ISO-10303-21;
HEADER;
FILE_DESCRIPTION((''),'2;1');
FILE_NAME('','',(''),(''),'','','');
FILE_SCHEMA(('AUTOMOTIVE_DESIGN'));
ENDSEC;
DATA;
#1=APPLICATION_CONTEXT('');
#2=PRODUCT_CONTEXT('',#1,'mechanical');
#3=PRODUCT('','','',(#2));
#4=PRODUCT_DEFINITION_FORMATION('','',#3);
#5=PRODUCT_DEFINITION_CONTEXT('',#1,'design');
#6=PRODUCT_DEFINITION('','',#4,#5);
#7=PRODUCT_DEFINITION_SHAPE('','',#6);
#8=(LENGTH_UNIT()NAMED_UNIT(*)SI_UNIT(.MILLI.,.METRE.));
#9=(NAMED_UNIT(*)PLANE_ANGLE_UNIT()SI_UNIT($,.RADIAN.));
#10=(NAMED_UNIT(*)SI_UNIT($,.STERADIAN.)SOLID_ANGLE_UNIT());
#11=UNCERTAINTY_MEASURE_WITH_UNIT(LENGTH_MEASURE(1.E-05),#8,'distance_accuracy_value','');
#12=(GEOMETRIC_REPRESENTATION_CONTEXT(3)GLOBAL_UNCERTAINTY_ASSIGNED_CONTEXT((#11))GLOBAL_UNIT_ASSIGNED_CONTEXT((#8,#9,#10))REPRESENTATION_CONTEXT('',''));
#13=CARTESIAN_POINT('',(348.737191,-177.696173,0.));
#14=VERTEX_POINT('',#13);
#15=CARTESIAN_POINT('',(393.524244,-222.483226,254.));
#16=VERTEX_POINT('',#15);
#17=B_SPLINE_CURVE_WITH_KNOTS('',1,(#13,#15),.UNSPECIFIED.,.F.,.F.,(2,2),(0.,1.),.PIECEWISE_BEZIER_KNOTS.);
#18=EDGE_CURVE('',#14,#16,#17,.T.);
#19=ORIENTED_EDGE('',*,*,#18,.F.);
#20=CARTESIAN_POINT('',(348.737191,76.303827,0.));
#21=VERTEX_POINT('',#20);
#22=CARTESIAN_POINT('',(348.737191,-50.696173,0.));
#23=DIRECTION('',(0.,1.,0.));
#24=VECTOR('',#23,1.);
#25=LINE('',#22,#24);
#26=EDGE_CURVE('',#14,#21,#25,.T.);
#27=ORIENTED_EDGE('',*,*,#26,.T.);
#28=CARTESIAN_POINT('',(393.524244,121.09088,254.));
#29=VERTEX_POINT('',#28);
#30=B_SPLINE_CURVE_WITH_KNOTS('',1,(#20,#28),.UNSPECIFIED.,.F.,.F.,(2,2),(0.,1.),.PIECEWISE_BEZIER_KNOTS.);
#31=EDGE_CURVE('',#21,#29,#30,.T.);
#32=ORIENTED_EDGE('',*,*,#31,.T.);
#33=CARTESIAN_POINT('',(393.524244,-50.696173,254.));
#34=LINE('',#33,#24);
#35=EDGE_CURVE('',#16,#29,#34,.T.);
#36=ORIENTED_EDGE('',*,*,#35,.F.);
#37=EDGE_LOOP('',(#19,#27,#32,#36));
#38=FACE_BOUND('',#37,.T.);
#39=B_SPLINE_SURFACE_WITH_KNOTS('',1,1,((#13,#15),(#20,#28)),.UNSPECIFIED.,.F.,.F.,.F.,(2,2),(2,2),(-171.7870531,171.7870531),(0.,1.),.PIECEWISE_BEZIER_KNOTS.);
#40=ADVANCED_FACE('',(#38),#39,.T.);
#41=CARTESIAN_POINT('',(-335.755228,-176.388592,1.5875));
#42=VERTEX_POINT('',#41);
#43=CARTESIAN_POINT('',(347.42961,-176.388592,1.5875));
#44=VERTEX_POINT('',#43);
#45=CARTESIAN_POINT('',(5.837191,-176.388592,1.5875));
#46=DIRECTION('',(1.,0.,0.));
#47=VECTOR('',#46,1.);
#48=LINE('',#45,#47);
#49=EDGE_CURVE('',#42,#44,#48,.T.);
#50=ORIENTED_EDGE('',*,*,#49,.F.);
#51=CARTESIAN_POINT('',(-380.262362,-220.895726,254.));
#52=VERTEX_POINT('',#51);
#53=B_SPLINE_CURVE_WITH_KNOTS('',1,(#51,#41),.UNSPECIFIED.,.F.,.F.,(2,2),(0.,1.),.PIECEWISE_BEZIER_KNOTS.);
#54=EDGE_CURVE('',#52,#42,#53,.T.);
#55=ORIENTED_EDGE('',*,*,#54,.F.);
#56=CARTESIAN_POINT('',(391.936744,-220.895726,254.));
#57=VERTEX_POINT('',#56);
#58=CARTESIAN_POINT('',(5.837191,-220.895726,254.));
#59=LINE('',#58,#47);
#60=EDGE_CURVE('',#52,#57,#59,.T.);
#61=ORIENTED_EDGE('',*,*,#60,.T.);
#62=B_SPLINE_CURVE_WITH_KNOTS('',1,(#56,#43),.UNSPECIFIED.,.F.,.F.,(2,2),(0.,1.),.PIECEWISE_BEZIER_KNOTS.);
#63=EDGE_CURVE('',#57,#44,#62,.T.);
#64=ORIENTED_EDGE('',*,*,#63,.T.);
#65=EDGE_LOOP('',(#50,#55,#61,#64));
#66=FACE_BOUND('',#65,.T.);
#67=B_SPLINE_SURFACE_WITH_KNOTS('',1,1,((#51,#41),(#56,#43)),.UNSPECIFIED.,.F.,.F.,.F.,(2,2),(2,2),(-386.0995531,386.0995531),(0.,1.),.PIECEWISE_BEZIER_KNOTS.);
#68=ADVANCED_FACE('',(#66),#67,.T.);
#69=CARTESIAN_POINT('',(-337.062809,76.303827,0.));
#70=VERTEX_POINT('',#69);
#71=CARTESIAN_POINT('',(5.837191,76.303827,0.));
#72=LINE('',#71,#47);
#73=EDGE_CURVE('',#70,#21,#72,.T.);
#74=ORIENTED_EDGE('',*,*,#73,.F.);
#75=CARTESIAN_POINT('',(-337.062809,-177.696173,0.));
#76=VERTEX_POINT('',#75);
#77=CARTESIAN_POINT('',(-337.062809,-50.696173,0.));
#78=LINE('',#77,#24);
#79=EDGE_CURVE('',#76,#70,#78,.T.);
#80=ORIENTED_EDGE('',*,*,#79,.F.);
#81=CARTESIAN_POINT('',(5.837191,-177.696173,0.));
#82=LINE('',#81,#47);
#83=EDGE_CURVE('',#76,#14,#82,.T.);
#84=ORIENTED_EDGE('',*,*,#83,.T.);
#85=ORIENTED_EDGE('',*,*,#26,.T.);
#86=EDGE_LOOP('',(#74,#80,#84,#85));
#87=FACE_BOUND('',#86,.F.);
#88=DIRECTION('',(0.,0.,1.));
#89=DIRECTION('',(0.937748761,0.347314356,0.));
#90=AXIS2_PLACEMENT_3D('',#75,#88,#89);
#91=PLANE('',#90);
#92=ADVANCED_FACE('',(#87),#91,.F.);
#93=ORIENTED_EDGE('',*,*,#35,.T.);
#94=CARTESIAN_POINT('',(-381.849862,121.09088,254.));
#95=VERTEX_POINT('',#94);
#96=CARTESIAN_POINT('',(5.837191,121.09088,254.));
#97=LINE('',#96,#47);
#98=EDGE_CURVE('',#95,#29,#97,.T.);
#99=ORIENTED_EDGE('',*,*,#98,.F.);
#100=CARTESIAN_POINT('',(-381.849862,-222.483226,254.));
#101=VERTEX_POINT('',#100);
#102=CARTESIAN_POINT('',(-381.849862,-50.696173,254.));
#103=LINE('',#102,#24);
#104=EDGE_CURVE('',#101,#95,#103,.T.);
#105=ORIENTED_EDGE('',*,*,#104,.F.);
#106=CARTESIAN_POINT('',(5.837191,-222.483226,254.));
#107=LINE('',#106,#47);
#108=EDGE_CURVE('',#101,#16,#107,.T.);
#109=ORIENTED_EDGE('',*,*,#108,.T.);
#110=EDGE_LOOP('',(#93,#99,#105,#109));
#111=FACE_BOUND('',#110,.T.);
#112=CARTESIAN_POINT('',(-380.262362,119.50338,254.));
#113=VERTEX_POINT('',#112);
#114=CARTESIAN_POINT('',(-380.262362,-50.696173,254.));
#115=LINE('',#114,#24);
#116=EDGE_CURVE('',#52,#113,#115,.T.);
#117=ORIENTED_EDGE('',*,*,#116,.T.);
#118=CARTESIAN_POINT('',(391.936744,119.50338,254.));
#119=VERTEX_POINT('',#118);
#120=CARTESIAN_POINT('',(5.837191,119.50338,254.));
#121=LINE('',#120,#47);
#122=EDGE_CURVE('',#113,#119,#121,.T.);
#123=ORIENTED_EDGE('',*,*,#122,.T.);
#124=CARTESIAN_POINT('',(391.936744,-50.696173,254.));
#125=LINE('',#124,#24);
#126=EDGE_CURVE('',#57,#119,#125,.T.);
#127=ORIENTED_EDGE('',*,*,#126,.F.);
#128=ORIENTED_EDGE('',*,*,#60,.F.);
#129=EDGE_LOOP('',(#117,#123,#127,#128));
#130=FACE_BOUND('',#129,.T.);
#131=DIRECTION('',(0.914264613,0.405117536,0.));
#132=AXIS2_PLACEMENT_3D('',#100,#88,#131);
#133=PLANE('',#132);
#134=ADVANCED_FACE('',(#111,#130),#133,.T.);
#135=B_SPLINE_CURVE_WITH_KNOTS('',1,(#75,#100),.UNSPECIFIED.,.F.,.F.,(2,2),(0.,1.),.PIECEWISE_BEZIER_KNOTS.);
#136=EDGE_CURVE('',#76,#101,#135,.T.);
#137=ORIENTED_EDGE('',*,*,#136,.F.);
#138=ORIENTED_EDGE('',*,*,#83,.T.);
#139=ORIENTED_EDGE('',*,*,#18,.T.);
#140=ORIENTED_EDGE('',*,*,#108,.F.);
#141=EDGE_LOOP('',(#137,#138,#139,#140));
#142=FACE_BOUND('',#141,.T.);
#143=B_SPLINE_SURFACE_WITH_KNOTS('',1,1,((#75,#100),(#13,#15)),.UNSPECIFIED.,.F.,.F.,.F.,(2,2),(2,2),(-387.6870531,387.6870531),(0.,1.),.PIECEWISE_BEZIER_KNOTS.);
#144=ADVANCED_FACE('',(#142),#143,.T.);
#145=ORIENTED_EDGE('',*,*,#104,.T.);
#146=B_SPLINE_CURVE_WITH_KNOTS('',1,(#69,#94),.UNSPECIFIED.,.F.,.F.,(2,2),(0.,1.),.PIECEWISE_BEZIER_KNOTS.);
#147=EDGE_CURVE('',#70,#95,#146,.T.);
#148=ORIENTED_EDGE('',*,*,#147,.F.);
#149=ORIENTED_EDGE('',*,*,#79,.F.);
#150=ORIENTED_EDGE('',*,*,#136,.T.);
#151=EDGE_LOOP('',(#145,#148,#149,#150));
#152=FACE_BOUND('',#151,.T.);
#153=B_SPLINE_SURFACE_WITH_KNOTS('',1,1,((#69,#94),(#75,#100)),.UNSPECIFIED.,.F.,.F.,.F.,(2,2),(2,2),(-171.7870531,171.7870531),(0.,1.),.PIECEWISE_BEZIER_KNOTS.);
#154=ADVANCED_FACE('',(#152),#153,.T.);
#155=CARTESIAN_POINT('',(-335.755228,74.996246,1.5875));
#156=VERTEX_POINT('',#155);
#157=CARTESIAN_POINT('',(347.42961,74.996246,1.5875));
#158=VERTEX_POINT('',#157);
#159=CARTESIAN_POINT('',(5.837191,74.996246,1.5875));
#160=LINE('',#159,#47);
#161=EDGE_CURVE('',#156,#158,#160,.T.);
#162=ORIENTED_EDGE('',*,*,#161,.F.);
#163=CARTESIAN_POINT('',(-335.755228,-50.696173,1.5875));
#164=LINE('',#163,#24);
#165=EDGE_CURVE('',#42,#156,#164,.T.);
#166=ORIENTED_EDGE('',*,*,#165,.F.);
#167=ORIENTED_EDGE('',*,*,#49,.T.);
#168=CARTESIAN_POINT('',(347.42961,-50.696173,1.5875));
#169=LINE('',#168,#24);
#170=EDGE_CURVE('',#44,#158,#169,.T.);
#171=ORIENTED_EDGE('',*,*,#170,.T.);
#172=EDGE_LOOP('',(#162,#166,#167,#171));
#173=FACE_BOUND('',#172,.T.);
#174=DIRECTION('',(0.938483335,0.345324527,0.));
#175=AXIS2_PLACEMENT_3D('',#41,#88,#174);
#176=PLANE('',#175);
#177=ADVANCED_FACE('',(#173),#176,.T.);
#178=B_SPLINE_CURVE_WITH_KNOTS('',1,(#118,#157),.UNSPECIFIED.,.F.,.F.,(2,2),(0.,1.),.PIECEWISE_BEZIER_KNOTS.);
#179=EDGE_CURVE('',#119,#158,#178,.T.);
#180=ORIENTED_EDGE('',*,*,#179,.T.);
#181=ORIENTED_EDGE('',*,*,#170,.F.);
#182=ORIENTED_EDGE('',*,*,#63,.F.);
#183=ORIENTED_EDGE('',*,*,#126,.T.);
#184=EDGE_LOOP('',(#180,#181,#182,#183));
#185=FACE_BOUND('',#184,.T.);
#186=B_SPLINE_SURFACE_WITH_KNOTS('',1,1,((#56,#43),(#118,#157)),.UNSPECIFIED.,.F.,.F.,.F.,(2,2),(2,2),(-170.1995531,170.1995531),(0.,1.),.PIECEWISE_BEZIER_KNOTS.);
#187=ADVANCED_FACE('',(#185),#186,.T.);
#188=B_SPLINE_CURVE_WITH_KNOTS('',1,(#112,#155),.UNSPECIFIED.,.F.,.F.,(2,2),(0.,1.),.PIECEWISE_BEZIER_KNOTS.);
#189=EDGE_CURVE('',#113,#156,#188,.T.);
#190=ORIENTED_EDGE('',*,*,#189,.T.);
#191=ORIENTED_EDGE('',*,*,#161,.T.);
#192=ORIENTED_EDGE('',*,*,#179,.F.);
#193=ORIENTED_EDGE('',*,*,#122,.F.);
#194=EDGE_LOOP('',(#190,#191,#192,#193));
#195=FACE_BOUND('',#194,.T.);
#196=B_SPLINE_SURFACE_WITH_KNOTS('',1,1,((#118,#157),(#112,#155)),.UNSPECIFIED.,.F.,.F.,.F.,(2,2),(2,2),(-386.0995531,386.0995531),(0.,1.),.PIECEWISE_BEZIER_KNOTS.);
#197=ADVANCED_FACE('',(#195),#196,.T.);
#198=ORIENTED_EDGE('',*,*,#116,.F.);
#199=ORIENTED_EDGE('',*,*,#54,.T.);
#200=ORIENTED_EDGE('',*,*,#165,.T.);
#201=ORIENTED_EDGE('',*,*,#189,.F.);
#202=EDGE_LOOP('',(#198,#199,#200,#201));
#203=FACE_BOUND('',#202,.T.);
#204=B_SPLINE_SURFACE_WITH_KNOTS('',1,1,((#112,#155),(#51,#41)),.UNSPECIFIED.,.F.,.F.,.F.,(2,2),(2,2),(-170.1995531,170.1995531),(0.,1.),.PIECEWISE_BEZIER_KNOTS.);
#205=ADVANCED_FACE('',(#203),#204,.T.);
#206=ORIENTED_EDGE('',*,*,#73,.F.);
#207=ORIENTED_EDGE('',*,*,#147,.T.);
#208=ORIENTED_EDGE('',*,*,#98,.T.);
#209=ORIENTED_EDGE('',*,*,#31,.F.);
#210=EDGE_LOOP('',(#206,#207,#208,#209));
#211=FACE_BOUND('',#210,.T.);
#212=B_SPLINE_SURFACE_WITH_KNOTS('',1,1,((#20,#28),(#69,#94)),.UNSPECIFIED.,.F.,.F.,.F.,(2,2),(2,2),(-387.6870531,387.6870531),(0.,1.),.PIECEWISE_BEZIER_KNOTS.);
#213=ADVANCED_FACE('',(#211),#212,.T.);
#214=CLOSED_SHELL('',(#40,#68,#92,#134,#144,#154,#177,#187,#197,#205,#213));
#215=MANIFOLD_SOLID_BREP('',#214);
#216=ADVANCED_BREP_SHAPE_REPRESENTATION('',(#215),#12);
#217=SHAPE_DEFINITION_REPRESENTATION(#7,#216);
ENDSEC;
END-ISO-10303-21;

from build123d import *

# Parameters (mm, degrees)
F0_W     = 685.8
F0_H     = 254
F1_DEPTH = 254
F1_TAPER = -10
F2_W     = 772.1991061999
F2_H     = 340.3991061999
F3_DEPTH = 252.4125
F3_TAPER = 10


with BuildPart() as f1:
    # F0 (on Top) → F1 (new body)
    with BuildSketch(Plane.XY):
        with Locations((5.8371908963, -50.6961728707)):
            Rectangle(F0_W, F0_H)
    extrude(amount=F1_DEPTH, taper=F1_TAPER)

    # F2 (on face) → F3 (cut)
    with BuildSketch(Plane.XY.offset(254)):
        with Locations((5.8371908963, -50.6961728707)):
            Rectangle(F2_W, F2_H)
    extrude(amount=-F3_DEPTH, taper=F3_TAPER, mode=Mode.SUBTRACT)


solid = f1.part
